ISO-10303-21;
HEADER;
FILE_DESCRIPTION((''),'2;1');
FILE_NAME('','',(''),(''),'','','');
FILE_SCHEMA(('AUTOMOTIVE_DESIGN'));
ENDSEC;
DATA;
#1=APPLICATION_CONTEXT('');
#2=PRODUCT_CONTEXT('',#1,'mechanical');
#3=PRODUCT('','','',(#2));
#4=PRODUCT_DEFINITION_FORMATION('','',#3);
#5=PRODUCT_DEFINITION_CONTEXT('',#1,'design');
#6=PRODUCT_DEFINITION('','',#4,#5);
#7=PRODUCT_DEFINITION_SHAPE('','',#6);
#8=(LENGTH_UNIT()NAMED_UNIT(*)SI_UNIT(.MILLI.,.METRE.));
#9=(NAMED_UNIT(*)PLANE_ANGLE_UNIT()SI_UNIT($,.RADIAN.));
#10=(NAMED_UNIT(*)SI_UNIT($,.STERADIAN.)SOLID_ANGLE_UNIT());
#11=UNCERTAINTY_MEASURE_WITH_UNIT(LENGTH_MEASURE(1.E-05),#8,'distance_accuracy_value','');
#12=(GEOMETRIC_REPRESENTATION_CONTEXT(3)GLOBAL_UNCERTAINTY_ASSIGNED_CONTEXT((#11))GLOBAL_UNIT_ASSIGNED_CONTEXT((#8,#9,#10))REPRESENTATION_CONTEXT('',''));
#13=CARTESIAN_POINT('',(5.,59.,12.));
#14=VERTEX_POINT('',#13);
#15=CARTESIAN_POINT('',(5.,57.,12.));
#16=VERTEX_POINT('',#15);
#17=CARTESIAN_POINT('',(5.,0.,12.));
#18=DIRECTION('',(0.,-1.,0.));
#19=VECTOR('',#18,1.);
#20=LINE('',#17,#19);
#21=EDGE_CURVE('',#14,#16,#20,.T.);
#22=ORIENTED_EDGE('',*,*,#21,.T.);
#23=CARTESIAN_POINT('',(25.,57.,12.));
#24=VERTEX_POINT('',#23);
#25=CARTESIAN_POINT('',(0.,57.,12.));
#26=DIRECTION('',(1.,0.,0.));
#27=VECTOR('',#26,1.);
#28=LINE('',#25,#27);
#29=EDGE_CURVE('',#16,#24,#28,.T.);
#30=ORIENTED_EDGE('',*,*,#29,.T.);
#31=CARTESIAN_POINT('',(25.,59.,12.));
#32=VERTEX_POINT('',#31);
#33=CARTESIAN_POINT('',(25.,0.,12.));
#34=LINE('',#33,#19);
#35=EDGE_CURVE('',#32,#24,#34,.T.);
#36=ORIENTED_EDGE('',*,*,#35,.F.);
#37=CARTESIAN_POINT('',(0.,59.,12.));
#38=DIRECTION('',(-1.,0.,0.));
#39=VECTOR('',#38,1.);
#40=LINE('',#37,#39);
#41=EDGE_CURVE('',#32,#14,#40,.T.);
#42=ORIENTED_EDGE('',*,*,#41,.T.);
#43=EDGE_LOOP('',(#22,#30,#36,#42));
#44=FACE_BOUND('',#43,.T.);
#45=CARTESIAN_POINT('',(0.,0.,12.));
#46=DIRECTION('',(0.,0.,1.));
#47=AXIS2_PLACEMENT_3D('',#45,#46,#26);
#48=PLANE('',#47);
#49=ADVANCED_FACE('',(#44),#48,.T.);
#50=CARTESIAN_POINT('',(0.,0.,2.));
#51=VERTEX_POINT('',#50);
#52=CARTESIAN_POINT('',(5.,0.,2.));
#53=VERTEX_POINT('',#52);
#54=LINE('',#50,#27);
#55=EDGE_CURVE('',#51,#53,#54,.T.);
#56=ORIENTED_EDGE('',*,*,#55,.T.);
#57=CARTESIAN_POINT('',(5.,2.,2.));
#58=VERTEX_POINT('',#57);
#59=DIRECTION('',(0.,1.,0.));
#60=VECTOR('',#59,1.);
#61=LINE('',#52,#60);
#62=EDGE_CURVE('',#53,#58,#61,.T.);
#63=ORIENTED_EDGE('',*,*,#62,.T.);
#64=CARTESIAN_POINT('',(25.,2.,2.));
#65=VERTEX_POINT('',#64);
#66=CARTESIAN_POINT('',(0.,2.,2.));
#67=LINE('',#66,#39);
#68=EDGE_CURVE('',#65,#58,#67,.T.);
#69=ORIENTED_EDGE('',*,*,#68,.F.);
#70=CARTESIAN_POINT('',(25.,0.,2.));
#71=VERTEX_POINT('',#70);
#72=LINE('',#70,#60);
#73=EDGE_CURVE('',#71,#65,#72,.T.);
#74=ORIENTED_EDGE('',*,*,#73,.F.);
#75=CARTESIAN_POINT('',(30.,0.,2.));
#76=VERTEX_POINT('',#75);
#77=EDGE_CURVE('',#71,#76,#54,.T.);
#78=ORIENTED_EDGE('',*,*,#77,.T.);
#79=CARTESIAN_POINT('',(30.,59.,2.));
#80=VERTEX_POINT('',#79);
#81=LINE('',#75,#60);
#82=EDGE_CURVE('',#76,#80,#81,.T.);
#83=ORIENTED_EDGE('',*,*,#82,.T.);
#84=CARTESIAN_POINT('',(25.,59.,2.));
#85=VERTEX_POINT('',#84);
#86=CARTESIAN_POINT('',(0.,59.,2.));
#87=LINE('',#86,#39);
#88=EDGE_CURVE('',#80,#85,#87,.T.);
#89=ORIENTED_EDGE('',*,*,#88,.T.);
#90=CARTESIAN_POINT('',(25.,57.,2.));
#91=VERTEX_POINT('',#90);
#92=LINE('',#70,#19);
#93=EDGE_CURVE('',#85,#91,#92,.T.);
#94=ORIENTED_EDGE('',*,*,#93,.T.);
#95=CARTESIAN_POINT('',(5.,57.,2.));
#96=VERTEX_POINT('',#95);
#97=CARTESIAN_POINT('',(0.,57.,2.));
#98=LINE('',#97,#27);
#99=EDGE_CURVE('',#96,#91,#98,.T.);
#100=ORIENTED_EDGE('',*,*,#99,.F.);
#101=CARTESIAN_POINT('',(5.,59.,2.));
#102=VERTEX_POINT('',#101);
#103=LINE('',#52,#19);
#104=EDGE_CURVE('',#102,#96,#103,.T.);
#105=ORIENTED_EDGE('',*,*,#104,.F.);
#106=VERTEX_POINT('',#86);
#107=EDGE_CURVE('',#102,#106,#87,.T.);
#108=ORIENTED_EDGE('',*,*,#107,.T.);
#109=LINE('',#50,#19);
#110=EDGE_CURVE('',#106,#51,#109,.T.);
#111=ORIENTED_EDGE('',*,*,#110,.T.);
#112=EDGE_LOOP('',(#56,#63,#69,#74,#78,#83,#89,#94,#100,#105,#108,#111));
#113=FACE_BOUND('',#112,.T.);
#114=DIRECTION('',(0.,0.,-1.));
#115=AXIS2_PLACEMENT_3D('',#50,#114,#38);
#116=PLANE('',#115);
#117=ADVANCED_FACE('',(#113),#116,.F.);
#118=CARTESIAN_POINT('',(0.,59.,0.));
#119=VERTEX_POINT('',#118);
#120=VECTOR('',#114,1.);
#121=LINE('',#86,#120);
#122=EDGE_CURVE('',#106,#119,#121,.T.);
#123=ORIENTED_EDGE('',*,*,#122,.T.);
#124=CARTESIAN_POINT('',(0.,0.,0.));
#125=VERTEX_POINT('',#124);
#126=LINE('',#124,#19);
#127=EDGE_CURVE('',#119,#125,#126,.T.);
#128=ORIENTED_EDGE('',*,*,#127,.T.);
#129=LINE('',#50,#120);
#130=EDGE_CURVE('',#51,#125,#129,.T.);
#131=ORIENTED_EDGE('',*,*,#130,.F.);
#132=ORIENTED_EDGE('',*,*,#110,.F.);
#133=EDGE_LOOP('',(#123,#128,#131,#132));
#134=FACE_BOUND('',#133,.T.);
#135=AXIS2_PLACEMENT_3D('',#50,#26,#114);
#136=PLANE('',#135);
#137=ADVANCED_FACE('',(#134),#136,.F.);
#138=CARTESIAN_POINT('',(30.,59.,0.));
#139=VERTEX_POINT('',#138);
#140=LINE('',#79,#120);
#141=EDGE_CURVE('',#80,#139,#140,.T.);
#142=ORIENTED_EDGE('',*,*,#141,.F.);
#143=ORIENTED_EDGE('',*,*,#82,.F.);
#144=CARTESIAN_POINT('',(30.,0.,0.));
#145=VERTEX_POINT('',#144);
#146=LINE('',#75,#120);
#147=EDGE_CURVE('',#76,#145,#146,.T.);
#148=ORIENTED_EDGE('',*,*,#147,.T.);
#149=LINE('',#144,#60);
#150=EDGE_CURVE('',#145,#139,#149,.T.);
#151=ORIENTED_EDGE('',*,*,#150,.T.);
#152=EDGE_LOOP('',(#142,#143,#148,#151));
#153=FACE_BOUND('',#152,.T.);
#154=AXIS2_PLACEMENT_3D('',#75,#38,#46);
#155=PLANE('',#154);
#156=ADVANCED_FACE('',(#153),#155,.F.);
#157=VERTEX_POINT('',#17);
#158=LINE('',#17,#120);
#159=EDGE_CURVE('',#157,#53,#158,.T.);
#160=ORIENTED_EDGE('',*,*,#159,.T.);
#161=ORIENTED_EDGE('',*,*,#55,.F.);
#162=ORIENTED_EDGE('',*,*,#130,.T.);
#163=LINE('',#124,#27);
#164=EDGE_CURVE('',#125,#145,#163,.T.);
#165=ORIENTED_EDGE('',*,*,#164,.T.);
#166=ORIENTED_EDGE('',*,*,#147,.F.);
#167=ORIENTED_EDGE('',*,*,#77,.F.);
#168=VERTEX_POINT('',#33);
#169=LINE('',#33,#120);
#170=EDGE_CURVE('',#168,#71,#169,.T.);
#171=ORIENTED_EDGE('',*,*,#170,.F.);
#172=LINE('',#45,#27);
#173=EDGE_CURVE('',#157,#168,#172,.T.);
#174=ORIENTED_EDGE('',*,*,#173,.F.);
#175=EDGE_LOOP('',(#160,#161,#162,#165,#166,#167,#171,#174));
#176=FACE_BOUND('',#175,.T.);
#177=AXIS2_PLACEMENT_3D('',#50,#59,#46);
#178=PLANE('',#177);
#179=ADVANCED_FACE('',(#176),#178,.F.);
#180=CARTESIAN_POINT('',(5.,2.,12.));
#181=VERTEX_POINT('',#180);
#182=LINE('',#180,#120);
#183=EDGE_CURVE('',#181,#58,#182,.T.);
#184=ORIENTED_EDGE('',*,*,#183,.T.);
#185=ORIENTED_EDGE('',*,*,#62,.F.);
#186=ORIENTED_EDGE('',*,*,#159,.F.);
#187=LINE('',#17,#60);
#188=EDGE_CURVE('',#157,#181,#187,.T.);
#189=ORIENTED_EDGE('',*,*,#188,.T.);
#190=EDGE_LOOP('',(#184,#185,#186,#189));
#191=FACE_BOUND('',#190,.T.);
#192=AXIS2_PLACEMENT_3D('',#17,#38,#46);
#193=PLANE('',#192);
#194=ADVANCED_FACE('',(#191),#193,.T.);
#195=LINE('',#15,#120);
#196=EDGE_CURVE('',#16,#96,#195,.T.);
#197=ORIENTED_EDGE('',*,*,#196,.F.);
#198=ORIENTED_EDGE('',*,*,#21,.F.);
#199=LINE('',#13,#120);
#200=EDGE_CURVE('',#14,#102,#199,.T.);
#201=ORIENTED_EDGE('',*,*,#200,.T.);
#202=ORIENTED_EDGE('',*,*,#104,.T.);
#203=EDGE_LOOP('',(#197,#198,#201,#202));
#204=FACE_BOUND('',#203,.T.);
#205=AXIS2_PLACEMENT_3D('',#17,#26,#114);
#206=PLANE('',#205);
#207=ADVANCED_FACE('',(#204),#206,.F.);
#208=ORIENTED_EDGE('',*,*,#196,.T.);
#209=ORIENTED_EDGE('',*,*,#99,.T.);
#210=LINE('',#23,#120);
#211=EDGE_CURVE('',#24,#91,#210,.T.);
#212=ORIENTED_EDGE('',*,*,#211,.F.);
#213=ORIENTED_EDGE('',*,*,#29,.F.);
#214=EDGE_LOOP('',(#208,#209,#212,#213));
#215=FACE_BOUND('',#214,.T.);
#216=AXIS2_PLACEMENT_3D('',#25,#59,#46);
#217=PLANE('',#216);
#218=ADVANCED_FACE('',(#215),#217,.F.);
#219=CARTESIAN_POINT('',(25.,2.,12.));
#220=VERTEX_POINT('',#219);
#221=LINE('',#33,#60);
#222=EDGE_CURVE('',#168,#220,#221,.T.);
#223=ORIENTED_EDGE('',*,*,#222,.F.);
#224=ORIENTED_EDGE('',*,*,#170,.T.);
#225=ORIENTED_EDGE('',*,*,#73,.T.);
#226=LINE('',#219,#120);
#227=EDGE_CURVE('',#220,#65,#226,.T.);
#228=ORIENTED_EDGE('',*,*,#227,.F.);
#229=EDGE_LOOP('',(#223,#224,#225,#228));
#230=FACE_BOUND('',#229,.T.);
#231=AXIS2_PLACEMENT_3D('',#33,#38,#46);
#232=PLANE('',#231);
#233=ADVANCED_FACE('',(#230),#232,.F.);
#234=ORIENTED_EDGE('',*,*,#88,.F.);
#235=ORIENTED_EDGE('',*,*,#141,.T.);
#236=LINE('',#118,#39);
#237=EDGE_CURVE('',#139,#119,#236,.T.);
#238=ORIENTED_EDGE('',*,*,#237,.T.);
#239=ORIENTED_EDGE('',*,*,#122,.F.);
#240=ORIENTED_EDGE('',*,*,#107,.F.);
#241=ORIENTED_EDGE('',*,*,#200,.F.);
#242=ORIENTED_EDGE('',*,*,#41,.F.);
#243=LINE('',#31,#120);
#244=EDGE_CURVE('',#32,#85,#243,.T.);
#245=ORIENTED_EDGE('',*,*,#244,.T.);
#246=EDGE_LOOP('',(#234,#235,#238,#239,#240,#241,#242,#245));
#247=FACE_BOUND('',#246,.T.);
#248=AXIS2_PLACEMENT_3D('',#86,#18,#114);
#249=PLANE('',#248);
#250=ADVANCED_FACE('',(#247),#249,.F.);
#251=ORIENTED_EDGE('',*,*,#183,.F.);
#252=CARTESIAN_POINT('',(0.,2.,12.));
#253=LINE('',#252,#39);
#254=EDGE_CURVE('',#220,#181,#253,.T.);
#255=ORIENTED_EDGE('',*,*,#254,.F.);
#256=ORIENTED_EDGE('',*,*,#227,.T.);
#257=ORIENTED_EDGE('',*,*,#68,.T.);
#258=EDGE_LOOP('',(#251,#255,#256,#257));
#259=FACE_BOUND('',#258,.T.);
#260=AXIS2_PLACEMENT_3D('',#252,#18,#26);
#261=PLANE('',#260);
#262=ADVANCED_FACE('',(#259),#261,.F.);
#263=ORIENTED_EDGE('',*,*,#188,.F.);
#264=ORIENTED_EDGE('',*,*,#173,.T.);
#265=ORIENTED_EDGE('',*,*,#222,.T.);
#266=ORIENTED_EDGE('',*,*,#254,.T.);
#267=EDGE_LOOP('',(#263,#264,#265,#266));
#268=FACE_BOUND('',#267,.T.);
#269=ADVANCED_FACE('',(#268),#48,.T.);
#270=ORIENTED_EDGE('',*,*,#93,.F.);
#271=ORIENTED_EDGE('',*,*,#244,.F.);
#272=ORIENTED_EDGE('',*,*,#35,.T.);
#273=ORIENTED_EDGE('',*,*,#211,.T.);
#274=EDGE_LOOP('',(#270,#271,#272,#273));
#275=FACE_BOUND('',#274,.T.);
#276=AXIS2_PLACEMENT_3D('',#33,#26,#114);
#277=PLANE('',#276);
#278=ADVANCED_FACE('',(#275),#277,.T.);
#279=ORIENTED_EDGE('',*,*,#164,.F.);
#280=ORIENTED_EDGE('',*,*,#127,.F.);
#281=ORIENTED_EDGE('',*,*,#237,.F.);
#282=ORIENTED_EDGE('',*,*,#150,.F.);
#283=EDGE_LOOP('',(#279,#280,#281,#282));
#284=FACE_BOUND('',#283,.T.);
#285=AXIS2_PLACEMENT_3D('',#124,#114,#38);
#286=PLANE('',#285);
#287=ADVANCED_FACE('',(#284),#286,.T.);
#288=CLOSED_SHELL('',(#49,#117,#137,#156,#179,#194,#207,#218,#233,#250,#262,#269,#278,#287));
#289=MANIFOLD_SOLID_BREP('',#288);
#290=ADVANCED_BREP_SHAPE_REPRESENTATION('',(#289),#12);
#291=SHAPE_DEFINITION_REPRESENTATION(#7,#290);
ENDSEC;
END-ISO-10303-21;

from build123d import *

# Parameters (mm, degrees)
SKETCH1_W           = 30
SKETCH1_H           = 59
BOSS_EXTRUDE1_DEPTH = 2
SKETCH2_W           = 20
SKETCH2_H           = 2
BOSS_EXTRUDE2_DEPTH = 10


with BuildPart() as part:
    # Sketch1 → Boss-Extrude1 (new body)
    with BuildSketch(Plane.XY):
        with Locations((15, 29.5)):
            Rectangle(SKETCH1_W, SKETCH1_H)
    extrude(amount=BOSS_EXTRUDE1_DEPTH)

    # Sketch2 → Boss-Extrude2 (add)
    with BuildSketch(Plane.XY.offset(2)):
        with Locations((15, 58)):
            Rectangle(SKETCH2_W, SKETCH2_H)
        with Locations((15, 1)):
            Rectangle(SKETCH2_W, SKETCH2_H)
    extrude(amount=BOSS_EXTRUDE2_DEPTH)


solid = part.part
